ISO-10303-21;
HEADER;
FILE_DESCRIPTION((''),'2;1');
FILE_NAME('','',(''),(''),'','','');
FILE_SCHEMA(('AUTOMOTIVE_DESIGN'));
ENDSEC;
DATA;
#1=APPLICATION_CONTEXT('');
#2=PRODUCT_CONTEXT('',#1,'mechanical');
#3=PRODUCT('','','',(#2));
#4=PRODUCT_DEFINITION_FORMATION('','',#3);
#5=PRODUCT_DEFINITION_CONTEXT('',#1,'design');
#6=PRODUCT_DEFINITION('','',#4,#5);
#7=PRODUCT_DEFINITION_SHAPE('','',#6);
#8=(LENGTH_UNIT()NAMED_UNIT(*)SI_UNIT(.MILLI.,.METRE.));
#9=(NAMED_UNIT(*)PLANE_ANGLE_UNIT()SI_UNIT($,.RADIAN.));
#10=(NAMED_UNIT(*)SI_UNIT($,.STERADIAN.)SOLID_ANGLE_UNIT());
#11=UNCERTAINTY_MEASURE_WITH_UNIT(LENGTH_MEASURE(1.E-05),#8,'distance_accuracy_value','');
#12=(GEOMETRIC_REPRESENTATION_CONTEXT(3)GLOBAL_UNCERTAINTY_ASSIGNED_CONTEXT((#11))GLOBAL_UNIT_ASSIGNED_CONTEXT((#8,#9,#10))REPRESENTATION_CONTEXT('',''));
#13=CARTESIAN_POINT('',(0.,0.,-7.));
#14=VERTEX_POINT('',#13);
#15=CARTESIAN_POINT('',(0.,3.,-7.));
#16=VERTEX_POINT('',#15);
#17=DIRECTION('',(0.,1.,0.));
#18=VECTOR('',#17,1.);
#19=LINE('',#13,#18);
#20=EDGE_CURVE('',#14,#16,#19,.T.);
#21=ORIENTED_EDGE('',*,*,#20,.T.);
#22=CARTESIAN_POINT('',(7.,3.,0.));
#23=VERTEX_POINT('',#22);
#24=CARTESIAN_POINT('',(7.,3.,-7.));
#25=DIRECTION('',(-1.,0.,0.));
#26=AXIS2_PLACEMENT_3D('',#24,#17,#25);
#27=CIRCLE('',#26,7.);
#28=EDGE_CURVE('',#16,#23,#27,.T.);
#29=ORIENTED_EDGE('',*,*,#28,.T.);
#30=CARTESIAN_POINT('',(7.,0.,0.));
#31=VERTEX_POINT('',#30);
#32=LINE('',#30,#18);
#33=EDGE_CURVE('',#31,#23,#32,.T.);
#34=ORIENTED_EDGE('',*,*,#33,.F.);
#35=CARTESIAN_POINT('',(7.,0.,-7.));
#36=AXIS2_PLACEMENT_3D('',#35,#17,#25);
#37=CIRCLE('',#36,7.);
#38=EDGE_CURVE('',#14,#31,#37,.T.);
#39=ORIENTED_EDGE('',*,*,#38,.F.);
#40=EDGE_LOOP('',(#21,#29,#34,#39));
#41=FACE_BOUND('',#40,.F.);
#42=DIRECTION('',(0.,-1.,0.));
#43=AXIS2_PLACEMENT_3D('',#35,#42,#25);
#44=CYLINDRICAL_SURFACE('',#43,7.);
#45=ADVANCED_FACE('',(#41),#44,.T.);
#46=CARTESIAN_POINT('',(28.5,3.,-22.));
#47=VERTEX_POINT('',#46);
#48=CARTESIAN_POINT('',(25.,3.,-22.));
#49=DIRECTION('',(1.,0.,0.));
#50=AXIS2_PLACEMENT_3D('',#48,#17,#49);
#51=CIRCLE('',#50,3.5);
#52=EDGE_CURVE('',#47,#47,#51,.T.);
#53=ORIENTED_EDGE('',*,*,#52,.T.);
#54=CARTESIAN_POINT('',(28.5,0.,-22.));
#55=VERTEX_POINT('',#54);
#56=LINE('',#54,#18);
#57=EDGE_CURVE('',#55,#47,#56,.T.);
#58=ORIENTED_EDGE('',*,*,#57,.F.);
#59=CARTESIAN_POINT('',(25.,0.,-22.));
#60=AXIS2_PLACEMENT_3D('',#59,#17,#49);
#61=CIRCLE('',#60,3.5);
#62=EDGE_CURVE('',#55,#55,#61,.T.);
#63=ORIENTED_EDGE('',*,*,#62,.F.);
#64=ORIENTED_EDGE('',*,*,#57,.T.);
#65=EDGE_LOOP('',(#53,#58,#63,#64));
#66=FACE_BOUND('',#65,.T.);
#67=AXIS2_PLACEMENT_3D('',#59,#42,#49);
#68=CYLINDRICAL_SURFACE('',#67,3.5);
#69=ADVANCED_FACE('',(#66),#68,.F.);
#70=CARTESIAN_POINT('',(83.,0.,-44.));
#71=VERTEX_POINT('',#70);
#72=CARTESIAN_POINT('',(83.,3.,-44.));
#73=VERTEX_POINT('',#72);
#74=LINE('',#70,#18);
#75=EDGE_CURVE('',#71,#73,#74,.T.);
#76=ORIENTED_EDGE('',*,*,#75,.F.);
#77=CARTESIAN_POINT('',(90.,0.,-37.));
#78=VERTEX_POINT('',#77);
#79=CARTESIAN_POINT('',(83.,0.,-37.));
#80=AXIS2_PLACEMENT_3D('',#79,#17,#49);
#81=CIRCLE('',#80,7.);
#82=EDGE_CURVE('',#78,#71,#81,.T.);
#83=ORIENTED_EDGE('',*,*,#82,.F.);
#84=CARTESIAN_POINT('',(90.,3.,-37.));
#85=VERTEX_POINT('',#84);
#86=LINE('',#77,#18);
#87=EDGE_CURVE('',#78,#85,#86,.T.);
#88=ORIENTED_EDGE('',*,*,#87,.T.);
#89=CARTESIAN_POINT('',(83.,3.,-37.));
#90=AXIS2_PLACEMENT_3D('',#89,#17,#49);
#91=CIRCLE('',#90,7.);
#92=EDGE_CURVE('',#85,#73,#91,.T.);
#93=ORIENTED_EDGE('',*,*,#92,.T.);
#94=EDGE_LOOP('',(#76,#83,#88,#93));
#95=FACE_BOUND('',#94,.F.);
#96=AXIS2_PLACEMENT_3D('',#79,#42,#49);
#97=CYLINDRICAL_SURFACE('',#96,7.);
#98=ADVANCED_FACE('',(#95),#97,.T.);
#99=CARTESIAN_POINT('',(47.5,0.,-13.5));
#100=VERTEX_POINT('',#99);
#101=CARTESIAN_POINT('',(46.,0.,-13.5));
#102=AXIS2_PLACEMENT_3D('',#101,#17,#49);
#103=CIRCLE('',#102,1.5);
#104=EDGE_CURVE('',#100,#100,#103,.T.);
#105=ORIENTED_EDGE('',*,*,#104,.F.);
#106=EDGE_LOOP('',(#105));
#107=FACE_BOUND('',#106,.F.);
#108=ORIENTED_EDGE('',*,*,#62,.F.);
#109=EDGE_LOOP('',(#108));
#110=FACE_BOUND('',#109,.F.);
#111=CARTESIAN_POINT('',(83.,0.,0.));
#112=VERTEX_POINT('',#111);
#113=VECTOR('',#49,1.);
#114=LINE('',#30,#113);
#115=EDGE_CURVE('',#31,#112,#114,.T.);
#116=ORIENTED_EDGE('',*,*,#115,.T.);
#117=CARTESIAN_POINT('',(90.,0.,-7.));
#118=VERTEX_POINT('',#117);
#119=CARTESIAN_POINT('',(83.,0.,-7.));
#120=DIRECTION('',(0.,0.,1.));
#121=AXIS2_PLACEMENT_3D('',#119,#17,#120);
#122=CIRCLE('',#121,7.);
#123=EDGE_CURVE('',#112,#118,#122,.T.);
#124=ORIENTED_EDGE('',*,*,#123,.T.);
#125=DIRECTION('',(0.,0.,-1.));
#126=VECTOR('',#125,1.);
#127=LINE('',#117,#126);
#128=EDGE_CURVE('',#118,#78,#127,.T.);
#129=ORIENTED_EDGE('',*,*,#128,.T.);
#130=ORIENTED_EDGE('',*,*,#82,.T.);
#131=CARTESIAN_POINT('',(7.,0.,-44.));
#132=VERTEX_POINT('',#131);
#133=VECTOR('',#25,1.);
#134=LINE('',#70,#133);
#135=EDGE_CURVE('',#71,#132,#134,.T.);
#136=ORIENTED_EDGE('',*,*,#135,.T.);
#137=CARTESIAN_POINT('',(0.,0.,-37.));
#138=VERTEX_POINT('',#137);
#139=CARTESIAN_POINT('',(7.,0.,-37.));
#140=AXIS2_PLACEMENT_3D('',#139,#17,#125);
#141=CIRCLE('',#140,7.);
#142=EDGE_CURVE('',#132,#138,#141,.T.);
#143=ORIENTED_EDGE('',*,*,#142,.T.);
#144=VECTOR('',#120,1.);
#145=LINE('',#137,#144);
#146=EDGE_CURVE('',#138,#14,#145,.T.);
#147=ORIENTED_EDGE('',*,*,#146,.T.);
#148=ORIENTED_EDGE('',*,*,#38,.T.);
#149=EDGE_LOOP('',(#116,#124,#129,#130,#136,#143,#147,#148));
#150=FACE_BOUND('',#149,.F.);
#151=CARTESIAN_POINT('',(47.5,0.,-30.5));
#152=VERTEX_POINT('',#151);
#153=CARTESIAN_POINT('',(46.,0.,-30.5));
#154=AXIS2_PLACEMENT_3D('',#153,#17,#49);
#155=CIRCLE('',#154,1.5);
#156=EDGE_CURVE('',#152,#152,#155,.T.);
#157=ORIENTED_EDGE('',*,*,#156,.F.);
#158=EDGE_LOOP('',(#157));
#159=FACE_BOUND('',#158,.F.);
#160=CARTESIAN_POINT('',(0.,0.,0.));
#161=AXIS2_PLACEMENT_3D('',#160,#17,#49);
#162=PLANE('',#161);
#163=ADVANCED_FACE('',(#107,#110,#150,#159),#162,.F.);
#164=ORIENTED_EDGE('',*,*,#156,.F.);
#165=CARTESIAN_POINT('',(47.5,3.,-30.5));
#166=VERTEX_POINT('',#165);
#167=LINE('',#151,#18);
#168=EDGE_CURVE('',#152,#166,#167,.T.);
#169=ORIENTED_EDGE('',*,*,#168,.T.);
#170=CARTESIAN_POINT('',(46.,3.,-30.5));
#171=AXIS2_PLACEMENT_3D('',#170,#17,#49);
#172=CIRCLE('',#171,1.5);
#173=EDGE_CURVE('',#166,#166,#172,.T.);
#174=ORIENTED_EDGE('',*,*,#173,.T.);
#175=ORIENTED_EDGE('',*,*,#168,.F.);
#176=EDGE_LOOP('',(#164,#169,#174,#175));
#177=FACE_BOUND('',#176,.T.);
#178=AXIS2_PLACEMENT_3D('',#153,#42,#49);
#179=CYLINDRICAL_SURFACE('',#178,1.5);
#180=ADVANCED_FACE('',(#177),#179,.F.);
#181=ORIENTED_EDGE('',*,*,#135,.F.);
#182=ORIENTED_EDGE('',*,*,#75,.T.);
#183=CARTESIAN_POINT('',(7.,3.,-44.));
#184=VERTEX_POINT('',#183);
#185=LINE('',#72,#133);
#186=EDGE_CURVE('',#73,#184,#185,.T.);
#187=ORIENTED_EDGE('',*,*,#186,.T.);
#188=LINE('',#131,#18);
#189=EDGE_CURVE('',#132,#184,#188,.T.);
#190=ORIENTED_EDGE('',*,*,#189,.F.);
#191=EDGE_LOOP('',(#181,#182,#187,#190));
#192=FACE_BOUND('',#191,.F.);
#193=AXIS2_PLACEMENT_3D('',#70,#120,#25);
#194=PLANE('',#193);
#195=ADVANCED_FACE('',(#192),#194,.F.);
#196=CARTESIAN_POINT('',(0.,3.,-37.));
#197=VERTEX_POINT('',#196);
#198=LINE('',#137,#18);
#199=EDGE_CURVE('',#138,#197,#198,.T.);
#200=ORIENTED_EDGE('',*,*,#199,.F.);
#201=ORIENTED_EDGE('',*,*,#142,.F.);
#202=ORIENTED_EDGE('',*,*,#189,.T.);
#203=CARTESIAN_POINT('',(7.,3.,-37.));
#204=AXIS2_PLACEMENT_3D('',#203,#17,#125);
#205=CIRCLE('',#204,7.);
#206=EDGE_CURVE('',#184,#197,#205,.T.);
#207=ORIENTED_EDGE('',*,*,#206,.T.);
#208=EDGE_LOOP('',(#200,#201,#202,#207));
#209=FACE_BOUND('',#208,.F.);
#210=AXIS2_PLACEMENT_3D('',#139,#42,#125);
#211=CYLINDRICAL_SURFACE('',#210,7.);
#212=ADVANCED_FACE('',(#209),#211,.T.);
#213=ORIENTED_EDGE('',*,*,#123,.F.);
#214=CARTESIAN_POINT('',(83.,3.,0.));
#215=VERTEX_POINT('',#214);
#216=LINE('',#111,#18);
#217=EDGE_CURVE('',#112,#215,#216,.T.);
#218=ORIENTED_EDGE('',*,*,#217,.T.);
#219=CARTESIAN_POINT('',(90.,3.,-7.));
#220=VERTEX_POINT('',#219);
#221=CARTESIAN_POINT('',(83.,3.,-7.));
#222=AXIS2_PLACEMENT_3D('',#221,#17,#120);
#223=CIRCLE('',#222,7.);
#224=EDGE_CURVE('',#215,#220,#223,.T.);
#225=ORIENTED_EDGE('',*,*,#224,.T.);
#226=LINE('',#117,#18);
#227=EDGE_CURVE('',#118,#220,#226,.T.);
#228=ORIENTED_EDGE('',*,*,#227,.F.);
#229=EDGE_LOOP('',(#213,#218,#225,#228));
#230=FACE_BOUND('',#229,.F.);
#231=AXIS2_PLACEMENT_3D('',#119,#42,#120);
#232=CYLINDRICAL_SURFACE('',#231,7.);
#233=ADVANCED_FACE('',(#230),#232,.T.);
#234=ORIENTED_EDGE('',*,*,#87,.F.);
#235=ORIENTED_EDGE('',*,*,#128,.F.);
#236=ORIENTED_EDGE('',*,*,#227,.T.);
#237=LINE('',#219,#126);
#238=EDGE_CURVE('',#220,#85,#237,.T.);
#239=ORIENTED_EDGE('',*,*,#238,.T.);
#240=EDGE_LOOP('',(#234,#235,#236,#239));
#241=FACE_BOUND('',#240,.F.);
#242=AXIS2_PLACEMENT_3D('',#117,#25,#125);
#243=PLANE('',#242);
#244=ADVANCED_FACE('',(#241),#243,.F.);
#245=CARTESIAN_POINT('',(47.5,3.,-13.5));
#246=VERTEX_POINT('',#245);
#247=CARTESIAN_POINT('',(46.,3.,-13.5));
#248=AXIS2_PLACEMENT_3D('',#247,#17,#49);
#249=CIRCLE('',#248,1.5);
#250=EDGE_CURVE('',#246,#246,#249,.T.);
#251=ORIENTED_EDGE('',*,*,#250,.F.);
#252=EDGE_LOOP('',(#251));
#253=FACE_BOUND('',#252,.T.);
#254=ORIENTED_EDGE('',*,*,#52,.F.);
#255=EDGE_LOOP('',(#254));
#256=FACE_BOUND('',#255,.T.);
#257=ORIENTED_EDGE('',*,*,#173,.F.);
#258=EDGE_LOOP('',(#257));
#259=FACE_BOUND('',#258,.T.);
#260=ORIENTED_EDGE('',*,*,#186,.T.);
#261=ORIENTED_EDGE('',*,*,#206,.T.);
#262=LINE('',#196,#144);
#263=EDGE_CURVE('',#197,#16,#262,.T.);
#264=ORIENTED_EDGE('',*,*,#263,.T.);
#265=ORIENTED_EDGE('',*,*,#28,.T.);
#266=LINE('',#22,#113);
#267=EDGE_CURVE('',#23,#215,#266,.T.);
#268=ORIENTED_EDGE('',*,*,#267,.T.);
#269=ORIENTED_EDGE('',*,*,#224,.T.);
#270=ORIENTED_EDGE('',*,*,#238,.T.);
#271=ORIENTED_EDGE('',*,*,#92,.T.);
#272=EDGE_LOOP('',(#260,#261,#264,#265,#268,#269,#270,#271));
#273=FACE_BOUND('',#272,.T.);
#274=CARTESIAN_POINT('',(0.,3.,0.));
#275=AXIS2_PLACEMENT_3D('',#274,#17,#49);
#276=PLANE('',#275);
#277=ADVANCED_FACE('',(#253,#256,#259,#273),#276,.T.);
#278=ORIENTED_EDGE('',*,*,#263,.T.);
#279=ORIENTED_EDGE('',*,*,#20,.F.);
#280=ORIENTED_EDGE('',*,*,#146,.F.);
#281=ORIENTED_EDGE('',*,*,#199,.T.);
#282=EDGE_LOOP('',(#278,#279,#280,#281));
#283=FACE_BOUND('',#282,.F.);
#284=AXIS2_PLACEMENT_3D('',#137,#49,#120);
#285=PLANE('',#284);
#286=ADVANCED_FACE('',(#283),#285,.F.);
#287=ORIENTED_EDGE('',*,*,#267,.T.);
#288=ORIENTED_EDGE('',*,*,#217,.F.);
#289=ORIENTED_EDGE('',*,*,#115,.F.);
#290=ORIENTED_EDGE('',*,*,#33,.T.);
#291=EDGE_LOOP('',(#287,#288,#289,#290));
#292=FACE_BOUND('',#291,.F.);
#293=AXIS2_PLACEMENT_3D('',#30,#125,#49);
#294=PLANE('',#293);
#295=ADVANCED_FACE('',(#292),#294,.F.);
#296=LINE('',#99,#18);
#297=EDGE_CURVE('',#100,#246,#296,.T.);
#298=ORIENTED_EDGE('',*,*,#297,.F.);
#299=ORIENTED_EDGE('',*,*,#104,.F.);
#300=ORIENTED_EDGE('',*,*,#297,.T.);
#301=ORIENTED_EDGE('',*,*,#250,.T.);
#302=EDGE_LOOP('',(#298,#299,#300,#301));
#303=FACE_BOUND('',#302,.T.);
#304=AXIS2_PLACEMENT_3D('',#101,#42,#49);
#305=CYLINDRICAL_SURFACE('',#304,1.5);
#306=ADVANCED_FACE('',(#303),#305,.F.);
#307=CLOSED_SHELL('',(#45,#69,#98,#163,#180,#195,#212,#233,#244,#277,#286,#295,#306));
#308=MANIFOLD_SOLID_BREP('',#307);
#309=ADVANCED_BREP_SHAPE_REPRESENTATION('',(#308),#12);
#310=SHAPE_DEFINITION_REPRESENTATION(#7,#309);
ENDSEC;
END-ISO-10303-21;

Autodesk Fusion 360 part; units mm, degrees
sketch "Sketch1" plane through (0, 0, 0) normal (0, 1, 0) x (1, 0, 0)
  line L0 (7, 0) -> (83, 0)
  line L1 (90, 7) -> (90, 37)
  line L2 (83, 44) -> (7, 44)
  line L3 (0, 37) -> (0, 7)
  line L4 (0, 22) -> (90, 22) construction
  circle A0 centre (25, 22) radius 3.5
  circle A1 centre (25, 22) radius 32.5 construction
  arc A2 (7, 44) -> (0, 37) centre (7, 37) ccw
  arc A3 (90, 37) -> (83, 44) centre (83, 37) ccw
  arc A4 (0, 7) -> (7, 0) centre (7, 7) ccw
  arc A5 (83, 0) -> (90, 7) centre (83, 7) ccw
  line L5 (46, 63.3038) -> (46, -13) construction
  circle A6 centre (46, 30.5) radius 1.5
  circle A7 centre (46, 13.5) radius 1.5
  point P0 (90, 0)
  point P1 (0, 44)
  dimension "szerokosc" = 90
  dimension "wysokosc" = 44
  dimension "d_osi" = 7
  dimension "d4" = 25
  dimension "d_kola" = 65
  dimension "d6" = 7
  dimension "d7" = 7
  dimension "d8" = 7
  dimension "d9" = 7
  dimension "d10" = 3
  dimension "d11" = 3
  dimension "miedzy_otworami" = 17
  dimension "d13" = 8.5
  dimension "d14" = 21
extrude "Extrude1" add sketch "Sketch1" along normal blind 3
sketch "Sketch2" plane through (0, 3, 0) normal (0, 1, 0) x (-1, 0, 0)
  circle A0 centre (-25, -22) radius 3.5
  circle A1 centre (-46, -30.5) radius 1.5
  circle A2 centre (-46, -13.5) radius 1.5
  arc A3 (-83, 0) -> (-90, -7) centre (-83, -7) ccw
  line L0 (-90, -7) -> (-90, -37)
  arc A4 (-90, -37) -> (-83, -44) centre (-83, -37) ccw
  line L1 (-83, -44) -> (-7, -44)
  arc A5 (-7, -44) -> (0, -37) centre (-7, -37) ccw
  line L2 (0, -37) -> (0, -7)
  arc A6 (0, -7) -> (-7, 0) centre (-7, -7) ccw
  line L3 (-7, 0) -> (-83, 0)
equation "wysokosc = szerokosc / 3 + 2 * d_osi"
equation "d6 = d_osi"
equation "d7 = d_osi"
equation "d8 = d_osi"
equation "d9 = d_osi"
equation "miedzy_otworami = 20 mm - 3 mm"
equation "d13 = miedzy_otworami / 2"
